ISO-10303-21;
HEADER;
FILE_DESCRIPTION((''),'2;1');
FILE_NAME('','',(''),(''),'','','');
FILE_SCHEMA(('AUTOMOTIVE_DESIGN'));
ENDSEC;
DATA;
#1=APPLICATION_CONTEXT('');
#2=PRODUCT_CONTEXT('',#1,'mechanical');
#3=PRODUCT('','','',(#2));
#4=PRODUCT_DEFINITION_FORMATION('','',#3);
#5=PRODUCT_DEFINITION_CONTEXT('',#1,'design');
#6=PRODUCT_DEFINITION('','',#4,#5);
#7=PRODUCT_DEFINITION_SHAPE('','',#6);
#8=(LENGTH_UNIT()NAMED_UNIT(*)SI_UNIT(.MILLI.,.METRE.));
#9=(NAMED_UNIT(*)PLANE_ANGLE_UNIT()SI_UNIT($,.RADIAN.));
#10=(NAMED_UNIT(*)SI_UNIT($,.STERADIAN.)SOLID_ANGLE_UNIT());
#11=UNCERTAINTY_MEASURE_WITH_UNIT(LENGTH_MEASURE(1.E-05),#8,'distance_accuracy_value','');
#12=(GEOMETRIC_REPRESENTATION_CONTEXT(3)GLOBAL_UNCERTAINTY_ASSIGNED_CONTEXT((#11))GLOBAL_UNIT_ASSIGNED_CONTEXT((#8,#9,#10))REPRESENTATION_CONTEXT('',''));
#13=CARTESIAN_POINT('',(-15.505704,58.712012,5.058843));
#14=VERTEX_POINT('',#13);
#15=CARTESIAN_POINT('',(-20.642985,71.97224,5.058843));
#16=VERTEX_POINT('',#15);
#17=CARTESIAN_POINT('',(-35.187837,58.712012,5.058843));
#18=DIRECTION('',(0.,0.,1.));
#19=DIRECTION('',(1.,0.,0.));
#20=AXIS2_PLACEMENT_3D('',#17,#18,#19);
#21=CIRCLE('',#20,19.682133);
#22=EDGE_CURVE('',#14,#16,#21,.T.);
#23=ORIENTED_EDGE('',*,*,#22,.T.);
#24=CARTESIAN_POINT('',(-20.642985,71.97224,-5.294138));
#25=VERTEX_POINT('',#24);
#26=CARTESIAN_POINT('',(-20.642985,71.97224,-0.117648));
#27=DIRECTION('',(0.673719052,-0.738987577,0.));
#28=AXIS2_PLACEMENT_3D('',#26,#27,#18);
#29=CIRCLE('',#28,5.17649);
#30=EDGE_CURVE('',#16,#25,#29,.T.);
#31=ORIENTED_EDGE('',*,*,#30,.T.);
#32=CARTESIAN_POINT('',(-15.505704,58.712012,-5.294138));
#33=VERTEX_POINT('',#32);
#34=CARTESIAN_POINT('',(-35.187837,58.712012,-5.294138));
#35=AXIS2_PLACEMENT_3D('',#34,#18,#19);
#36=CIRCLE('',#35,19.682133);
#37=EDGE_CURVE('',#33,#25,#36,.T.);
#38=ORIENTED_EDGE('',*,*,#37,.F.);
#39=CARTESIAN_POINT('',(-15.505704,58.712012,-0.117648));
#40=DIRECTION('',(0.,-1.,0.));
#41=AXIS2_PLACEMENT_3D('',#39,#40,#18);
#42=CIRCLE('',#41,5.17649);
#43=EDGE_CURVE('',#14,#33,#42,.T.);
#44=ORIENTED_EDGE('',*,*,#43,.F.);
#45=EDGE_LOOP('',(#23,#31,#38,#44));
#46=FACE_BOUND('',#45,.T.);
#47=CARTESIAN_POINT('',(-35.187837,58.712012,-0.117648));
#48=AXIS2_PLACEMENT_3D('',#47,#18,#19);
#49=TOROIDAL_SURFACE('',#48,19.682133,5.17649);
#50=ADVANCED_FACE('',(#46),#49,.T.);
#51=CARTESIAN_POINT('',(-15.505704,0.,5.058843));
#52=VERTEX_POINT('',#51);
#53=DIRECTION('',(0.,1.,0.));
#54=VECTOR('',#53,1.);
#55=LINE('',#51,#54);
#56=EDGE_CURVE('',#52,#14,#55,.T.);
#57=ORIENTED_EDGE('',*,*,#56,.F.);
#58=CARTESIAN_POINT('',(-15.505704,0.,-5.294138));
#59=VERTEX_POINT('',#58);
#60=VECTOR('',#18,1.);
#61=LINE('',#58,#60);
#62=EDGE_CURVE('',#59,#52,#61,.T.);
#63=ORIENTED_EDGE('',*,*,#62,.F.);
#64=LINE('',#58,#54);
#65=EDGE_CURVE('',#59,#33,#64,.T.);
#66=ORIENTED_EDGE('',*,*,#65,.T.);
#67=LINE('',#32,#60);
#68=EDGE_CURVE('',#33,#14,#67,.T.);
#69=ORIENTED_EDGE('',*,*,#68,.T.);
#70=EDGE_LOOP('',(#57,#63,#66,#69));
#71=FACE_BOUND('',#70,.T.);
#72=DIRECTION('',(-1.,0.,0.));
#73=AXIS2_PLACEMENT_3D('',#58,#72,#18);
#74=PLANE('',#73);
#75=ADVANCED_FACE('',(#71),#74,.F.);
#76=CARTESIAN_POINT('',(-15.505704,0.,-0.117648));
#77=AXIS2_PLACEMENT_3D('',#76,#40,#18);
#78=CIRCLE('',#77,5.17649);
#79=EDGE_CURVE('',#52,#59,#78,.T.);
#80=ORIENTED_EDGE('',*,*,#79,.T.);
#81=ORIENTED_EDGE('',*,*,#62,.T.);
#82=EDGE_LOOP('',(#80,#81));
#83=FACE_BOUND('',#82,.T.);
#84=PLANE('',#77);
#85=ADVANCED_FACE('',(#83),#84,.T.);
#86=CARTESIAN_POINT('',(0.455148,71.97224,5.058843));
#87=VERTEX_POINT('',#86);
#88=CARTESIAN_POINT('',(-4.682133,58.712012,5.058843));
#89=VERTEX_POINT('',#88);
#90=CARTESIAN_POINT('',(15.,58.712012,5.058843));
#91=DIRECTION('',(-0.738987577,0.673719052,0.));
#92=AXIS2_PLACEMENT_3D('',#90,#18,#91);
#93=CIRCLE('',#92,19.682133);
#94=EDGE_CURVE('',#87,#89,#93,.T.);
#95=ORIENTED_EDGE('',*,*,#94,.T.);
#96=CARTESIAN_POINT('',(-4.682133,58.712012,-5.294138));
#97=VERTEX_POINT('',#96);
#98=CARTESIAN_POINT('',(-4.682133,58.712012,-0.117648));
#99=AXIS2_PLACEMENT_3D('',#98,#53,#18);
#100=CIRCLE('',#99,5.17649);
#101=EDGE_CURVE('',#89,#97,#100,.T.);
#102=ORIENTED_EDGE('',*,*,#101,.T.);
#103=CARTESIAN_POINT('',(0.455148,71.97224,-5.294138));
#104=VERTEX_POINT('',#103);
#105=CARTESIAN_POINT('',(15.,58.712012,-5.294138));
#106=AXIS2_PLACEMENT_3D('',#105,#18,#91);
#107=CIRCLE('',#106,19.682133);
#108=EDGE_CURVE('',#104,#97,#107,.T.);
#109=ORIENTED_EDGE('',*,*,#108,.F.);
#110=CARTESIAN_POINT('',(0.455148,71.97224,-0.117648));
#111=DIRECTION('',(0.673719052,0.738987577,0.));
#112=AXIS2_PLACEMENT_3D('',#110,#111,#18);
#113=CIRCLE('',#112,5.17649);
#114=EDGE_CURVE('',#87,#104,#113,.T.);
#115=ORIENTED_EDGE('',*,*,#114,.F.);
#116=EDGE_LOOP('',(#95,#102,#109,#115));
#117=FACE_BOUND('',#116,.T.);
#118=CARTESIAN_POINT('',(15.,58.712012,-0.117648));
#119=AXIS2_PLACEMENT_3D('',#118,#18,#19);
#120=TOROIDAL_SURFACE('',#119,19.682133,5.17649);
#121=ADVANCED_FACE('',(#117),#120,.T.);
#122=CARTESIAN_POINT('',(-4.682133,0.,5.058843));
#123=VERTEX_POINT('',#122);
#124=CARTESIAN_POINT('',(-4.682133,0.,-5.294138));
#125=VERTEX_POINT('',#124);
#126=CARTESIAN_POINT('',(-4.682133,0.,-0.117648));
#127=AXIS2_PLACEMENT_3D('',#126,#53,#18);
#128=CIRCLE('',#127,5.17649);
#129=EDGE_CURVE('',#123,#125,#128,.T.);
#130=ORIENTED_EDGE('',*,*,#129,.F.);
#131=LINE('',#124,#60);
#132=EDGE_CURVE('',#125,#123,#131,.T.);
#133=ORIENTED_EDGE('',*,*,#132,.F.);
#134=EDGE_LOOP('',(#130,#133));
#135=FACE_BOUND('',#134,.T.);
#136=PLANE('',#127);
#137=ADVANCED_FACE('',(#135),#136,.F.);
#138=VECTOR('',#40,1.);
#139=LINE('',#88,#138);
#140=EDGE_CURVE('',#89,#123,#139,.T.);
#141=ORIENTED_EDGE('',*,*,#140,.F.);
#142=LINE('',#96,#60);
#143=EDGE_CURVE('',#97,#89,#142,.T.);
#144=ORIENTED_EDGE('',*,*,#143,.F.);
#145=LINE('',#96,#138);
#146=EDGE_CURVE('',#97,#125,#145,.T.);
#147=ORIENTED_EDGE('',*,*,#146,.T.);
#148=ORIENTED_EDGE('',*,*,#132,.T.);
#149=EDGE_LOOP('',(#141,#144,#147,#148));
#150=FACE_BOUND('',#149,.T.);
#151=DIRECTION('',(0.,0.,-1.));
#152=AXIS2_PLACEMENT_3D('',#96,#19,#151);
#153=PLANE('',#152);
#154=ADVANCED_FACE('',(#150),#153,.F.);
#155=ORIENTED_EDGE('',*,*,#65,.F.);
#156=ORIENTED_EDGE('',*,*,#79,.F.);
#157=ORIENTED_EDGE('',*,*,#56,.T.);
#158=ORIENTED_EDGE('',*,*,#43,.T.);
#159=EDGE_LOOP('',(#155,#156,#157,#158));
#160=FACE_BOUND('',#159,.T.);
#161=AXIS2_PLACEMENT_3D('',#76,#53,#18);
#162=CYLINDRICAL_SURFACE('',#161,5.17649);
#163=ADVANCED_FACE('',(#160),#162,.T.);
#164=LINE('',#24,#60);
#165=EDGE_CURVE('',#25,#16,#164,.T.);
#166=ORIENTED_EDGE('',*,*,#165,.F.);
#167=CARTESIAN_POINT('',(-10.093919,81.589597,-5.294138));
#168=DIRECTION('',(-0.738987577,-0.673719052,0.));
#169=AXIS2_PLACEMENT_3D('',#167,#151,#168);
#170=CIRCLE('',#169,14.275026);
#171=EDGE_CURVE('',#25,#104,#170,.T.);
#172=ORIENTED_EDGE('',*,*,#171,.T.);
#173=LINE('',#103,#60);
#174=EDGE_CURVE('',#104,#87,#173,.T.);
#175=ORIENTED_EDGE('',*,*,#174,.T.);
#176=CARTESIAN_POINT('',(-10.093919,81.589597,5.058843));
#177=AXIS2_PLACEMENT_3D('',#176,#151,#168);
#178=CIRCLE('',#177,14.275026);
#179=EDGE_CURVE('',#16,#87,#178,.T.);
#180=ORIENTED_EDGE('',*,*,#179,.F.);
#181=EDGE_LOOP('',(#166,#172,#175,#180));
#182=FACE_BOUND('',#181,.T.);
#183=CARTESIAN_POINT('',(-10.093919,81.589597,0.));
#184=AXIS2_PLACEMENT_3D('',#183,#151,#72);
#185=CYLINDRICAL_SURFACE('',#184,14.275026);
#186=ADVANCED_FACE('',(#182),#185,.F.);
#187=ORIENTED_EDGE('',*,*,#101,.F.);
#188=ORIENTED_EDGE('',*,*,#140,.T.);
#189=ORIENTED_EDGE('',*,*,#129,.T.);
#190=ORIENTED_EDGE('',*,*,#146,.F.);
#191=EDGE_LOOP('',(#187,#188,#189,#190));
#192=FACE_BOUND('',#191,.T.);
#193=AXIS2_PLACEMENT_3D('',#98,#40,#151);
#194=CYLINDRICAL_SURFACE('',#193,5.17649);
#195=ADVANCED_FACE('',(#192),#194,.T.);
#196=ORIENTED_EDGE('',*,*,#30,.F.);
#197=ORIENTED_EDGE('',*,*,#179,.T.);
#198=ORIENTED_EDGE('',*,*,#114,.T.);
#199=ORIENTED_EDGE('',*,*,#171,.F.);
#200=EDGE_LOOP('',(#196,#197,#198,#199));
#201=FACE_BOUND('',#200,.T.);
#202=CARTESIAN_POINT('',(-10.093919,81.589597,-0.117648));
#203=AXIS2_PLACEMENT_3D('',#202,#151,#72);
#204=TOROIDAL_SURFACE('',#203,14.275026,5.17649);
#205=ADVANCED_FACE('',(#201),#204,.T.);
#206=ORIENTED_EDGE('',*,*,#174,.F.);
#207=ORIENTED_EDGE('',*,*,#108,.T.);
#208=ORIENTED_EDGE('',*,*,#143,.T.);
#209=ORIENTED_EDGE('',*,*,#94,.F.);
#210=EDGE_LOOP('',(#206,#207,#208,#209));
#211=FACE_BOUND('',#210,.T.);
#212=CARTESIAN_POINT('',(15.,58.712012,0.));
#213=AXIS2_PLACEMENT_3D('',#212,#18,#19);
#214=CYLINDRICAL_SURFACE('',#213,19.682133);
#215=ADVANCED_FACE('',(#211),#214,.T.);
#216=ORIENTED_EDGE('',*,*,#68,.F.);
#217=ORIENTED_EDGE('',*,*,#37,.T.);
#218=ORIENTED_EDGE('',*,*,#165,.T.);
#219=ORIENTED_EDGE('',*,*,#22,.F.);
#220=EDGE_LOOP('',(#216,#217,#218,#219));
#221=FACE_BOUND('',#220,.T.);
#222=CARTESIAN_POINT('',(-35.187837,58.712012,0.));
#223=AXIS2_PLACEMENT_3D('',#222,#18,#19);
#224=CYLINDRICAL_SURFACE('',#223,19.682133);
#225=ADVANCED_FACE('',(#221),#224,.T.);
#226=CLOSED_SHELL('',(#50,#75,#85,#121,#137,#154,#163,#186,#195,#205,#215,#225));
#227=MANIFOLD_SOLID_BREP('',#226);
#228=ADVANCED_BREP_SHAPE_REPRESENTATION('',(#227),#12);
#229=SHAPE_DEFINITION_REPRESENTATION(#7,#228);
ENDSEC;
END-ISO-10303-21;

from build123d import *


with BuildPart() as part:
    # Sweep3: sweep along a path in Sketch1
    with BuildLine(Plane.XY) as sweep3_path:
        Line((0, 0), (0, 58.71201163))
        ThreePointArc((0, 58.71201163), (1.013002382, 64.130858152), (3.91518635, 68.817797416))
        ThreePointArc((3.91518635, 68.817797416), (-10.093918683, 100.546755711), (-24.103023716, 68.817797416))
        ThreePointArc((-24.103023716, 68.817797416), (-21.200839748, 64.130858152), (-20.187837366, 58.71201163))
        Line((-20.187837366, 58.71201163), (-20.187837366, 0))
    # Sketch6 → Sweep3 (sweep)
    with BuildSketch(Plane(origin=(0, 0, 0), x_dir=(1, 0, 0), z_dir=(0, 1, 0))):
        with BuildLine():
            Line((-4.682133389, 5.294137788), (-4.682133389, -5.058842775))
            ThreePointArc((-4.682133389, -5.058842775), (0.494356893, 0.117647506), (-4.682133389, 5.294137788))
        make_face()
    sweep(path=sweep3_path.line)


solid = part.part
